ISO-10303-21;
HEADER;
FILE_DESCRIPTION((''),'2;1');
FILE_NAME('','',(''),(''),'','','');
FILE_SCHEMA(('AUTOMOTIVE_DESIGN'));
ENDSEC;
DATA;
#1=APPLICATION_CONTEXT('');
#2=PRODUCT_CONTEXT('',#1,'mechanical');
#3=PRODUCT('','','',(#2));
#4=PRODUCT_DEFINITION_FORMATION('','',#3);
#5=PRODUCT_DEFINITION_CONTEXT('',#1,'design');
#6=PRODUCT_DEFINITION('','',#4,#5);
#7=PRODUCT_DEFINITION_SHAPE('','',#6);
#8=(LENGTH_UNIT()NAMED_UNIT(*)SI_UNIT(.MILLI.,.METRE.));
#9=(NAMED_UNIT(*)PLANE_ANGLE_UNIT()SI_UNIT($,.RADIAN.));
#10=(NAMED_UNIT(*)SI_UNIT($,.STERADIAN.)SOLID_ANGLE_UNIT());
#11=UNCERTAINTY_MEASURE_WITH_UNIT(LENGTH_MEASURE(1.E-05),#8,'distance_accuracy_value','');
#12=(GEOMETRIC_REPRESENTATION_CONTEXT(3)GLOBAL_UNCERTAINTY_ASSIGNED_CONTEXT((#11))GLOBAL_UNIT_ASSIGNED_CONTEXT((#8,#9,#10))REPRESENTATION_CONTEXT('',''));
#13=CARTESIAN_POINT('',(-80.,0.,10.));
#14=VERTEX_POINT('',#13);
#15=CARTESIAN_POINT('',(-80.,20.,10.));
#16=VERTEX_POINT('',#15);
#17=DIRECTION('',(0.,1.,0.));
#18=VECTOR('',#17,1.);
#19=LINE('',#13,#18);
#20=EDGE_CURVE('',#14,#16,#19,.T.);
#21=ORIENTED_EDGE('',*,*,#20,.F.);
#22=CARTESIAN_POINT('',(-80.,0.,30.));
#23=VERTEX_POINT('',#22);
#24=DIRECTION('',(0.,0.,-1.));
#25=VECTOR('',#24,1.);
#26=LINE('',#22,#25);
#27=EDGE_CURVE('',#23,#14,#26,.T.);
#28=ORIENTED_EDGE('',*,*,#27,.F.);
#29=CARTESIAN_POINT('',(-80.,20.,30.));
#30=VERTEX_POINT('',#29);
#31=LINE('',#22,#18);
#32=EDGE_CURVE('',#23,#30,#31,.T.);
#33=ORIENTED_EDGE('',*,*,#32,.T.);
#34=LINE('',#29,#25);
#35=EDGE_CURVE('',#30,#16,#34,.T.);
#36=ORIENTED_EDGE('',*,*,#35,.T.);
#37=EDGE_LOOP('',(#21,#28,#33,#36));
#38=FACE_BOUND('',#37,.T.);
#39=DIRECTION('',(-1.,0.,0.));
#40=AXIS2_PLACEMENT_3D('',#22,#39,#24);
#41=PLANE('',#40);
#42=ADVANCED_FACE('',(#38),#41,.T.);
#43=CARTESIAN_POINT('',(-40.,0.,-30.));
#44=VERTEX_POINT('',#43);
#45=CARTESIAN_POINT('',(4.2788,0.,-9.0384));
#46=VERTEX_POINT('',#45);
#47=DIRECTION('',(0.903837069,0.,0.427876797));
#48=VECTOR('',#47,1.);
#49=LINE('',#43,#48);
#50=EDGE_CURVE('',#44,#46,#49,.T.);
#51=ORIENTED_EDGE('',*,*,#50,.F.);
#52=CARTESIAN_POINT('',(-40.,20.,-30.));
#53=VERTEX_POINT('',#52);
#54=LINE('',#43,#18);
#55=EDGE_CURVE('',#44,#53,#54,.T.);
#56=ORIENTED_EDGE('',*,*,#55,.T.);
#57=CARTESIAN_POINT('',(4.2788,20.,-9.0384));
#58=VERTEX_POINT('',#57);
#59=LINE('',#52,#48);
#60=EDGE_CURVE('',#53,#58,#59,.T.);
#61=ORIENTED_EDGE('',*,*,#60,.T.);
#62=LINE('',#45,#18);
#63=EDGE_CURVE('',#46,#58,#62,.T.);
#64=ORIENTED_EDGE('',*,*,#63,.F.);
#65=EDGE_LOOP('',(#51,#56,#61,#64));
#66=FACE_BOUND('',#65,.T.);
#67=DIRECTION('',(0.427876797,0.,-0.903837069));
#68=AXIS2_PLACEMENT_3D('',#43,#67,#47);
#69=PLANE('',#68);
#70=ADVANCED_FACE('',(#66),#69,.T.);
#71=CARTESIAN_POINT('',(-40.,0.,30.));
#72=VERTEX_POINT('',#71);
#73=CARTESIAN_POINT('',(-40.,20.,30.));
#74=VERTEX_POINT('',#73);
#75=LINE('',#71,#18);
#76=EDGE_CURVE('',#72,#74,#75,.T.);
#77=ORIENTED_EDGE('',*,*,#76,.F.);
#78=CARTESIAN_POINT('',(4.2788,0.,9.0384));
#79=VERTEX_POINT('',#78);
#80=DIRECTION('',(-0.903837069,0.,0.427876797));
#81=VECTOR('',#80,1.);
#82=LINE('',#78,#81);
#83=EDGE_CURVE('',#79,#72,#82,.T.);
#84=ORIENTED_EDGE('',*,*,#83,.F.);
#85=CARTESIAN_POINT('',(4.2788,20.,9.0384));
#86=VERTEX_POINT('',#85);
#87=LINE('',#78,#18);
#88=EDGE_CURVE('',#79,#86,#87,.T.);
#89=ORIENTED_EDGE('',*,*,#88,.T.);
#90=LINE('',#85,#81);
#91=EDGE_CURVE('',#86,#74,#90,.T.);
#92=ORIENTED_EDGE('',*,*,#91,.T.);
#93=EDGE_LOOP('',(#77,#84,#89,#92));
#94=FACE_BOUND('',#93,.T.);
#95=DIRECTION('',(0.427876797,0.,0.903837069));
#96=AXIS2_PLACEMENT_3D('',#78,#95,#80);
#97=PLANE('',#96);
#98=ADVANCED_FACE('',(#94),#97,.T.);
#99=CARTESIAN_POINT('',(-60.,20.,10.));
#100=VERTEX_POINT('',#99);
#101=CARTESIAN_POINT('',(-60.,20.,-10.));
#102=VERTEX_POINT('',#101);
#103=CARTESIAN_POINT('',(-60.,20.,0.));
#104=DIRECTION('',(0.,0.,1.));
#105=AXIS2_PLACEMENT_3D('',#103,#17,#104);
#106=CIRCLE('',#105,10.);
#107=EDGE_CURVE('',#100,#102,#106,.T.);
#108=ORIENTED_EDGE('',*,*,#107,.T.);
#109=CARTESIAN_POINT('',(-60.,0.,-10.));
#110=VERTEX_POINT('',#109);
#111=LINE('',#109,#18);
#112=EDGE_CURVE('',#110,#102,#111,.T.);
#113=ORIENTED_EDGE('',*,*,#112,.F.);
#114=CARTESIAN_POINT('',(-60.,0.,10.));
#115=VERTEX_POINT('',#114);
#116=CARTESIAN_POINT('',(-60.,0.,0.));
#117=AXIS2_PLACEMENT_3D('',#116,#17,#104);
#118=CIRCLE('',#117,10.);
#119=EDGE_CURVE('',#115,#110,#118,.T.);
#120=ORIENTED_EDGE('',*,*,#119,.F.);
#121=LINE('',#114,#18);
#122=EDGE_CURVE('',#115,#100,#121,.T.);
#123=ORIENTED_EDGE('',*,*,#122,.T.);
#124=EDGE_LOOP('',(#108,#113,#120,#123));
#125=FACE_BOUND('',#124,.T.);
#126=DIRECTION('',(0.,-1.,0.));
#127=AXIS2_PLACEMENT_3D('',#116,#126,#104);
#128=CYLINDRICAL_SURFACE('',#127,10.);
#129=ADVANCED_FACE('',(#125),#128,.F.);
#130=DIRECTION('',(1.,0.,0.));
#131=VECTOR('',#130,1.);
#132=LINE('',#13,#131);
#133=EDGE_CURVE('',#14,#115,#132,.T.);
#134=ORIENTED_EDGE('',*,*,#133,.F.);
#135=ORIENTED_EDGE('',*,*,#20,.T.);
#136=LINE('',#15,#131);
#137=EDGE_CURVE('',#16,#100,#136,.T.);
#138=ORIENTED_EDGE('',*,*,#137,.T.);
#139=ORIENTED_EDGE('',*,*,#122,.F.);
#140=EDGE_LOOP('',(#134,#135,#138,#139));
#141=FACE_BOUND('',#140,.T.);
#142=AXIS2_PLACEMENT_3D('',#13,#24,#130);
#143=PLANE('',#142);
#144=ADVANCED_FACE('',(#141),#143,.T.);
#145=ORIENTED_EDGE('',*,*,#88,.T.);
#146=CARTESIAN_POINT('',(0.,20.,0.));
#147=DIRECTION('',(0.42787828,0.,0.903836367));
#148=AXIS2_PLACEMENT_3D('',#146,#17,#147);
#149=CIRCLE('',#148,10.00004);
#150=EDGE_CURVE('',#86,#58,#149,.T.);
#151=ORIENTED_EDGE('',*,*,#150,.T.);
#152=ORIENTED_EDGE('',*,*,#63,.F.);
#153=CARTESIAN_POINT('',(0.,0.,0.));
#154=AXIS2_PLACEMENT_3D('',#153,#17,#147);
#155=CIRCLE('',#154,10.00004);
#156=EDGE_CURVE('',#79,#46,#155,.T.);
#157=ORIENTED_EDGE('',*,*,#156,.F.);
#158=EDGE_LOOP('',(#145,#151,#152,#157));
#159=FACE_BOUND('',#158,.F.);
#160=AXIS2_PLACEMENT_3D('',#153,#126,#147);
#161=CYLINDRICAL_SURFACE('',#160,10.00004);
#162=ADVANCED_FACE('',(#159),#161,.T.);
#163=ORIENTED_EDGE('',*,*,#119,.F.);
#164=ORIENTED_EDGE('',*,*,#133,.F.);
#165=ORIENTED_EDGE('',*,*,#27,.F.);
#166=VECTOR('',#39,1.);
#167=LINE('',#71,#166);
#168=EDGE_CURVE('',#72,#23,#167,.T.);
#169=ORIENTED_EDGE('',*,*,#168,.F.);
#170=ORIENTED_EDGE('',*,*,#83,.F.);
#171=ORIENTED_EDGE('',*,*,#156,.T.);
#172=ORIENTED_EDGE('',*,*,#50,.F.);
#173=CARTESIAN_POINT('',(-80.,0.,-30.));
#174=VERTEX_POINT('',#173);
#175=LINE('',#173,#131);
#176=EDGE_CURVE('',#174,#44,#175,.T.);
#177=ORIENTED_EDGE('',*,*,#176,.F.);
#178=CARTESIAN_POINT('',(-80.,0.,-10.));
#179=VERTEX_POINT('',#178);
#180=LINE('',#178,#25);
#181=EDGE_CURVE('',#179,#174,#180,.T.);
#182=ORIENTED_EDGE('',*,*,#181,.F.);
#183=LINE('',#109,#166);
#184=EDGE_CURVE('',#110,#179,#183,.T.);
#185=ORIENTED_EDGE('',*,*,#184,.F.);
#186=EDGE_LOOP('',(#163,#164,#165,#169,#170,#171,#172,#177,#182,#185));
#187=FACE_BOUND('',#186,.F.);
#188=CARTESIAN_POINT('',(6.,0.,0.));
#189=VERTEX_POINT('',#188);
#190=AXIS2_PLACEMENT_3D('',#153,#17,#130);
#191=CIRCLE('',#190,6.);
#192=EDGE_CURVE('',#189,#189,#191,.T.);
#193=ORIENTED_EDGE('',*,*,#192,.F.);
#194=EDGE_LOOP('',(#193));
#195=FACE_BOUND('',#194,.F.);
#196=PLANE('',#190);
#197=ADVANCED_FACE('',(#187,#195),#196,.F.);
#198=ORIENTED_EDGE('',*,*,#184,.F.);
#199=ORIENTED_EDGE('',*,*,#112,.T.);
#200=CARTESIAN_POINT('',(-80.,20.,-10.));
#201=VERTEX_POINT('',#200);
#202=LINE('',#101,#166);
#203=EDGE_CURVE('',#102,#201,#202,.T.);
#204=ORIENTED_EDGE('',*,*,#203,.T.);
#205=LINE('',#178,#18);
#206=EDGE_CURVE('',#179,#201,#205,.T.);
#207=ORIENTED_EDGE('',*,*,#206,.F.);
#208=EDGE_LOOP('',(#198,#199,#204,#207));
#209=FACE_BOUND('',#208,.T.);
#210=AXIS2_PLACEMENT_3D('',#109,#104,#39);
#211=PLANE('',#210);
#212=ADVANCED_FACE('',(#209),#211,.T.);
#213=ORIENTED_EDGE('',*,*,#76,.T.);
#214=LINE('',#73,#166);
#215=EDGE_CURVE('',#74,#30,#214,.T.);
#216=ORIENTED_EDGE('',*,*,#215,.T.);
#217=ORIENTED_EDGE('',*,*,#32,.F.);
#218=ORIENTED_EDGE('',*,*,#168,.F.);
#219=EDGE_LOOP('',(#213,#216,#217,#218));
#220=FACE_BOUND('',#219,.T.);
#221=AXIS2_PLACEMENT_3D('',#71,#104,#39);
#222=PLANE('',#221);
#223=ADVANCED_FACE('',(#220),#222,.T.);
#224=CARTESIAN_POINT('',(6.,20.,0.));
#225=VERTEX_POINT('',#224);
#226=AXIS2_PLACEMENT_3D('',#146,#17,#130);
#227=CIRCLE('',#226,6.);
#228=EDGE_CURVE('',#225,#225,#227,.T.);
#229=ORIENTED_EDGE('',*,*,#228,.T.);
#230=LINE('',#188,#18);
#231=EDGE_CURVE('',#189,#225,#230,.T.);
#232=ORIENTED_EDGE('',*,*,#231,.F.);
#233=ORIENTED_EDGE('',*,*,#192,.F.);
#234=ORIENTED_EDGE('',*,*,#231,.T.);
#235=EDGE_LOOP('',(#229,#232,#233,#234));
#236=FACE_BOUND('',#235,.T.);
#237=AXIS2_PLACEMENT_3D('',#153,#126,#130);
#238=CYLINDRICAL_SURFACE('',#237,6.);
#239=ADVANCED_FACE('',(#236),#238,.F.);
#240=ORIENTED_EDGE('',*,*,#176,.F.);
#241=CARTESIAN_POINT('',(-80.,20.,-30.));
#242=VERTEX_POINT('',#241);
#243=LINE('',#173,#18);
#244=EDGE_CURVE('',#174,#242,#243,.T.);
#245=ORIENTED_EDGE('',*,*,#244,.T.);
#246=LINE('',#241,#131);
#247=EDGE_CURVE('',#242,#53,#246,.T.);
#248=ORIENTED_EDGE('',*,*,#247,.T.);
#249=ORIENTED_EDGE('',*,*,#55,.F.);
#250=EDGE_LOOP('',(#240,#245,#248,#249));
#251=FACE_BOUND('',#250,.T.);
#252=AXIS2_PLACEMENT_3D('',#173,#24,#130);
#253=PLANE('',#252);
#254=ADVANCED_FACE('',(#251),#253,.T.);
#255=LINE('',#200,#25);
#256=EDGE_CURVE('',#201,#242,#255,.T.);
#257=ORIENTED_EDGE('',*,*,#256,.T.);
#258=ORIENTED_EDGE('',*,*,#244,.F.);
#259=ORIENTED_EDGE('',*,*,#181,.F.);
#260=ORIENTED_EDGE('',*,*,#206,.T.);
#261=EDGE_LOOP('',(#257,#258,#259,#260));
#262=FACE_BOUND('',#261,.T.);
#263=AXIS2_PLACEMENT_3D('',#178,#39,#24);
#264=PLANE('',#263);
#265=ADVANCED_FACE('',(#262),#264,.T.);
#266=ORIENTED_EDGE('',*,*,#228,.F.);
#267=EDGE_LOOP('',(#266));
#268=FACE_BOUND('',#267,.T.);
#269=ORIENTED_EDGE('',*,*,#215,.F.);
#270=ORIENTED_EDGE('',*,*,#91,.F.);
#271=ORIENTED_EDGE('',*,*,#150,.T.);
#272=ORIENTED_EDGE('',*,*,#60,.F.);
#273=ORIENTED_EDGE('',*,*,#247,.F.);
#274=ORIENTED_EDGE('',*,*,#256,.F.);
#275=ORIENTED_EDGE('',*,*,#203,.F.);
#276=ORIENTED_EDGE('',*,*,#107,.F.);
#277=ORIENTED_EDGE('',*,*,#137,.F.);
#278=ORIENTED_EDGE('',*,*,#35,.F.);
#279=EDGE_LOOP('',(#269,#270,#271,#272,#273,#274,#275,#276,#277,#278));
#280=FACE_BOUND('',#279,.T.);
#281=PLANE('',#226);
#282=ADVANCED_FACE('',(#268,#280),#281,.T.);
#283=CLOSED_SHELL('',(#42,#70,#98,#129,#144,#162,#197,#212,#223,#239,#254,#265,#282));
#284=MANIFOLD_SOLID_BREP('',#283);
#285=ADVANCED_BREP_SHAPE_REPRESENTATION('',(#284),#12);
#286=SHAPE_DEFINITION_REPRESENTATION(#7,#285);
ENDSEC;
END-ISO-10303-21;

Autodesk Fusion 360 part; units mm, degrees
sketch "Sketch2" plane through (0, 0, 0) normal (0, 1, 0) x (1, 0, 0)
  line L0 (-80, 30) -> (-40, 30)
  line L1 (-40, 30) -> (4.2788, 9.0384)
  arc A0 (4.2788, -9.0384) -> (4.2788, 9.0384) centre (0, 0) ccw
  line L2 (4.2788, -9.0384) -> (-40, -30)
  line L3 (-40, -30) -> (-80, -30)
  circle A1 centre (0, 0) radius 6
  line L4 (-80, -10) -> (-60, -10)
  arc A2 (-60, -10) -> (-60, 10) centre (-60, 0) ccw
  line L5 (-60, 10) -> (-80, 10)
  line L6 (-80, -30) -> (-80, -10)
  line L7 (-80, 10) -> (-80, 30)
  line L8 (0, 0) -> (-89, 0) construction
  dimension "d22" = 12
  dimension "d23" = 10
  dimension "d24" = 20
  dimension "d25" = 20
  dimension "d26" = 40
  dimension "d27" = 60
  dimension "d28" = 80
  dimension "d29" = 10
extrude "Extrude2" add sketch "Sketch2" along normal blind 20
